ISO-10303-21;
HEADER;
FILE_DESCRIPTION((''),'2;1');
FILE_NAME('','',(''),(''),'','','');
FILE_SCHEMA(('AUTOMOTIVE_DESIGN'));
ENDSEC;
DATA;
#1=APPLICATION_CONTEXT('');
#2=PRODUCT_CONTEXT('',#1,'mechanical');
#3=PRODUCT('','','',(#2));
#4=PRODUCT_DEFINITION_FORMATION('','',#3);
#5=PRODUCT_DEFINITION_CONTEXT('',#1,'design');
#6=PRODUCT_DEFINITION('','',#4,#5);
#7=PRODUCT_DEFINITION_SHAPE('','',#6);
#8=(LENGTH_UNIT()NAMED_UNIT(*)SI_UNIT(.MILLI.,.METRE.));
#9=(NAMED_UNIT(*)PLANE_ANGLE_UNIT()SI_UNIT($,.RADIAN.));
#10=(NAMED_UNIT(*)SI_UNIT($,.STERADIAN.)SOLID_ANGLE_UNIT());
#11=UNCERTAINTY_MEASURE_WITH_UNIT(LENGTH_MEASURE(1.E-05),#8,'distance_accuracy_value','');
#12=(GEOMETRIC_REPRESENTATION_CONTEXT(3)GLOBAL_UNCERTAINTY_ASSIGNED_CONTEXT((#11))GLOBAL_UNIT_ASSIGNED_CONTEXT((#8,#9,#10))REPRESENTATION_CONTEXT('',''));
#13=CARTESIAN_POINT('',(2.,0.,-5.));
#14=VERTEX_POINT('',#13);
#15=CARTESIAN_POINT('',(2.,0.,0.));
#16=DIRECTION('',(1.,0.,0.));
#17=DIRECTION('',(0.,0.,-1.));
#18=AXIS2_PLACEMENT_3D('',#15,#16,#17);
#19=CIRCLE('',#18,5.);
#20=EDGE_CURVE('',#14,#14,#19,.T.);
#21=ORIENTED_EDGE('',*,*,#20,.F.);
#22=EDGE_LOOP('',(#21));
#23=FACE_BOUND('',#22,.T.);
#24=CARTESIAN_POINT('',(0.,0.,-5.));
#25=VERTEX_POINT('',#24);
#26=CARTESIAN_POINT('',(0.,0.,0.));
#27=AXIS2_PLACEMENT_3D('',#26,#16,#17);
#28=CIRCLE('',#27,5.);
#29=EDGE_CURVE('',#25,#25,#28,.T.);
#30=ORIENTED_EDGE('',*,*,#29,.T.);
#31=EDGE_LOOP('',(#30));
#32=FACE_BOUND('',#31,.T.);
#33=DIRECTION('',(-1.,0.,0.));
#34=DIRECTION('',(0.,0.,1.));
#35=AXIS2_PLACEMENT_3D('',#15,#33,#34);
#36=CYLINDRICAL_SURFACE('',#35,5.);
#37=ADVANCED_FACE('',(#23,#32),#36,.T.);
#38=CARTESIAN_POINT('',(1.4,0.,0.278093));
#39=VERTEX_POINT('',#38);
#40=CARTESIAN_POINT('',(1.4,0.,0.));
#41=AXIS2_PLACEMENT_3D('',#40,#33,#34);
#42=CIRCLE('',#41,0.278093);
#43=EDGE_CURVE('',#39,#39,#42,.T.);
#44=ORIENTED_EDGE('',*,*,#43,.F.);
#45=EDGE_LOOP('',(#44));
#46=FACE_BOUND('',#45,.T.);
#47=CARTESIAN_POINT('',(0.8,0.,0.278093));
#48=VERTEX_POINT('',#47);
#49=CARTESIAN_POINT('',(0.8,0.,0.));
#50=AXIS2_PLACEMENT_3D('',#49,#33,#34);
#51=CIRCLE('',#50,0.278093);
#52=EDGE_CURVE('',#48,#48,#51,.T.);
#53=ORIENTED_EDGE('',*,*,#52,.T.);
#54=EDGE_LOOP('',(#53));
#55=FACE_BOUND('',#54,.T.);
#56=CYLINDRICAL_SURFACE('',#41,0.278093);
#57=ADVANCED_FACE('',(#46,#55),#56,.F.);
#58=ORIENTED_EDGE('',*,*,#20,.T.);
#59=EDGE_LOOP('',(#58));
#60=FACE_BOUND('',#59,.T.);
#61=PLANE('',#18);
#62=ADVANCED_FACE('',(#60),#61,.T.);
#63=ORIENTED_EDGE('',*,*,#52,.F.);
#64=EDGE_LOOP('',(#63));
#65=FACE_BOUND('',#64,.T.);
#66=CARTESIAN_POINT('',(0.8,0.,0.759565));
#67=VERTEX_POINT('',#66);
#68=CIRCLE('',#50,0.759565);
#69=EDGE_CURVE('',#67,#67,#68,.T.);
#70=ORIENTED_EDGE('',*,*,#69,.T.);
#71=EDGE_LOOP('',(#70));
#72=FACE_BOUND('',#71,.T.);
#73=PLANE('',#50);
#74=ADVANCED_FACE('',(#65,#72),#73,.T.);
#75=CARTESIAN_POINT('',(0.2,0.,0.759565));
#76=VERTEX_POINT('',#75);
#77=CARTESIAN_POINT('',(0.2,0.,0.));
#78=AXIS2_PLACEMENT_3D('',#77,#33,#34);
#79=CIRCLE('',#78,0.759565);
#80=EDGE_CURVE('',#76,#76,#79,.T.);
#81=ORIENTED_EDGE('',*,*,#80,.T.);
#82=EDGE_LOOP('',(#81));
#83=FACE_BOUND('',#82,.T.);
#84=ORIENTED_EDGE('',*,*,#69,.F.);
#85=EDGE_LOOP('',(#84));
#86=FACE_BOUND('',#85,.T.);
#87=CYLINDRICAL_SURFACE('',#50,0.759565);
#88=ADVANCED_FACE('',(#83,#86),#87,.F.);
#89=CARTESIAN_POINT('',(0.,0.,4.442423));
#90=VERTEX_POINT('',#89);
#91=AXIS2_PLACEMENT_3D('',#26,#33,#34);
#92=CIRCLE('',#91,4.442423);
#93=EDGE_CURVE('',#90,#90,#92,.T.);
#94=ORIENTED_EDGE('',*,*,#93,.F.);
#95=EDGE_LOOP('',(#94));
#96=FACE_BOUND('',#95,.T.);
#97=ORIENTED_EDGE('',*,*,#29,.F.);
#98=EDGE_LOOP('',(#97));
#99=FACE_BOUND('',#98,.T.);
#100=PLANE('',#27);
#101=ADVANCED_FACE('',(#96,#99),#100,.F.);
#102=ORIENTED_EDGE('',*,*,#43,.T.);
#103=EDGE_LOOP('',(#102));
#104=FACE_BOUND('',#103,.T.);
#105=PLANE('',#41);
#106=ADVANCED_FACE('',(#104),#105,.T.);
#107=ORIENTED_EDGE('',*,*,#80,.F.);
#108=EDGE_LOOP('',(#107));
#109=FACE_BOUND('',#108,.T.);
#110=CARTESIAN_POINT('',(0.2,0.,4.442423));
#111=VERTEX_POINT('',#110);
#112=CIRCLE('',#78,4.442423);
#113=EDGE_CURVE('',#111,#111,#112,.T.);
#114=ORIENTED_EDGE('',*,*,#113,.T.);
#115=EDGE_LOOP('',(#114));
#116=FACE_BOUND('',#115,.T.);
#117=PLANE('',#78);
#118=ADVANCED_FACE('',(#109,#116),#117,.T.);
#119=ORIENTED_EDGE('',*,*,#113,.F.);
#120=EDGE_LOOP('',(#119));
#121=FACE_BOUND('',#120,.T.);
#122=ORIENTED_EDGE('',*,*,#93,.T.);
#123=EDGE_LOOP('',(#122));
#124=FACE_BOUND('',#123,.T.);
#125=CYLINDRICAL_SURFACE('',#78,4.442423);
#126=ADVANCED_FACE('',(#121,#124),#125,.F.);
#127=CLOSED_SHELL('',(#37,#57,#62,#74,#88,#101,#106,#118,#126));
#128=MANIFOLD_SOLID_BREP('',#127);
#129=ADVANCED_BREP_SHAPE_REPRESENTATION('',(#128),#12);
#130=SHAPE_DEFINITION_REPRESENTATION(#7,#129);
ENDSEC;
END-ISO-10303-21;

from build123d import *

# Parameters (mm, degrees)
SKETCH_1_R          = 5
EXTRUDE_301_DEPTH   = 2
SKETCH_9_R          = 4.442422665
CUT_EXTRUDE_2_DEPTH = 0.2
SKETCH_10_R         = 0.75956549
CUT_EXTRUDE_3_DEPTH = 0.6
SKETCH_11_R         = 0.278093265
CUT_EXTRUDE_4_DEPTH = 0.6


with BuildPart() as part:
    # 草图1 → Extrude 301 (new body)
    with BuildSketch(Plane(origin=(0, 0, 0), x_dir=(0, 0, -1), z_dir=(1, 0, 0))):
        Circle(SKETCH_1_R)
    extrude(amount=EXTRUDE_301_DEPTH)

    # 草图9 → 切除-拉伸2 (cut)
    with BuildSketch(Plane.ZY):
        Circle(SKETCH_9_R)
    extrude(amount=-CUT_EXTRUDE_2_DEPTH, mode=Mode.SUBTRACT)

    # 草图10 → 切除-拉伸3 (cut)
    with BuildSketch(Plane.ZY.offset(-0.2)):
        Circle(SKETCH_10_R)
    extrude(amount=-CUT_EXTRUDE_3_DEPTH, mode=Mode.SUBTRACT)

    # 草图11 → 切除-拉伸4 (cut)
    with BuildSketch(Plane.ZY.offset(-0.8)):
        Circle(SKETCH_11_R)
    extrude(amount=-CUT_EXTRUDE_4_DEPTH, mode=Mode.SUBTRACT)


solid = part.part
